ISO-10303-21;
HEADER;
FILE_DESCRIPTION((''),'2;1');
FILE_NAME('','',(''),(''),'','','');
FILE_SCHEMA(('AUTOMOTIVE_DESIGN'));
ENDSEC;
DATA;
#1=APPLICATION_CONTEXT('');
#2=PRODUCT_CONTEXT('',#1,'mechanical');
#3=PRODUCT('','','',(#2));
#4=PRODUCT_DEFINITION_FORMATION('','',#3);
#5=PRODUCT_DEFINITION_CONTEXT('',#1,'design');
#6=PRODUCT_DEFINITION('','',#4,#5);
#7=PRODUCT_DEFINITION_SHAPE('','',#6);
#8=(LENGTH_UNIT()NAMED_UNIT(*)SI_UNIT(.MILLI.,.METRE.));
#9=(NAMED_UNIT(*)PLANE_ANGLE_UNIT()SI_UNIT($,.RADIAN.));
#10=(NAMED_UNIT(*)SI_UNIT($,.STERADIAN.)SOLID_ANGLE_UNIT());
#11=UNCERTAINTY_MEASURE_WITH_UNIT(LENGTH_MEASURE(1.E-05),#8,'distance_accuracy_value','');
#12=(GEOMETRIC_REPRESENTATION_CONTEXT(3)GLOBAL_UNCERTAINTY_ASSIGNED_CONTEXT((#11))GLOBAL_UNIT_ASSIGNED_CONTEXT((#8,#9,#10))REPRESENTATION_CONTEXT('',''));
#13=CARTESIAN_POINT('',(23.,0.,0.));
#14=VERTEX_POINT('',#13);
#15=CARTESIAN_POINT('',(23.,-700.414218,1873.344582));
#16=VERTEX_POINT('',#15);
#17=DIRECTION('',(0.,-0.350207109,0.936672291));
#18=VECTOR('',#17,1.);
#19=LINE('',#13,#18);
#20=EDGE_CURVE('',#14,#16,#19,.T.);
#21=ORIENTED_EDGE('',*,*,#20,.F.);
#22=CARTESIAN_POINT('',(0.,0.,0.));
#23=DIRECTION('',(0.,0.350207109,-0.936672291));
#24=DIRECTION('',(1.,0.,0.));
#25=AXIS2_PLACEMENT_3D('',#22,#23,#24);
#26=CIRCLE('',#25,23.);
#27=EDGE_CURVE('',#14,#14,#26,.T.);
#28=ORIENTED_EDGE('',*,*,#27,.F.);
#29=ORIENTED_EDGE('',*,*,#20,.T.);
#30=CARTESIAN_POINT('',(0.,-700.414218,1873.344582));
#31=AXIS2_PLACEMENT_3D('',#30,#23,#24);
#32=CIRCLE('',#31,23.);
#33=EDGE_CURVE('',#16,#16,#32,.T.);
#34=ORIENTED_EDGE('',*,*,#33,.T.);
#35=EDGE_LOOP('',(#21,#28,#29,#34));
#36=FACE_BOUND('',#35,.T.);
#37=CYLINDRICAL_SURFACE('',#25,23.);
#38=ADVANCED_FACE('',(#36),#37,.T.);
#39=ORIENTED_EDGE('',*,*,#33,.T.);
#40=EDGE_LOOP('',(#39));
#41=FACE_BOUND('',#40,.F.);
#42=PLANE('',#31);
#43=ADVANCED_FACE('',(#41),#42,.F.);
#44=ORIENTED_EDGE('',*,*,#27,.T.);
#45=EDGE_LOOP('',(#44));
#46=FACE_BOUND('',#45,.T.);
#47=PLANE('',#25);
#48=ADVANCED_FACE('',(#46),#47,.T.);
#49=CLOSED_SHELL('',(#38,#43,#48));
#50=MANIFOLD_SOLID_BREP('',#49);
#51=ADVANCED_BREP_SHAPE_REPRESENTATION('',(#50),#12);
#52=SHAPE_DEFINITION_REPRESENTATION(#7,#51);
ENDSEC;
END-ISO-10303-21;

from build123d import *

# Parameters (mm, degrees)
F2_R     = 23
F3_DEPTH = 2000


with BuildPart() as f3:
    # F2 (on face) → F3 (new body)
    with BuildSketch(Plane(origin=(0, 0, 0), x_dir=(1, 0, 0), z_dir=(0, 0.350207, -0.936672))):
        Circle(F2_R)
    extrude(amount=-F3_DEPTH)


solid = f3.part
